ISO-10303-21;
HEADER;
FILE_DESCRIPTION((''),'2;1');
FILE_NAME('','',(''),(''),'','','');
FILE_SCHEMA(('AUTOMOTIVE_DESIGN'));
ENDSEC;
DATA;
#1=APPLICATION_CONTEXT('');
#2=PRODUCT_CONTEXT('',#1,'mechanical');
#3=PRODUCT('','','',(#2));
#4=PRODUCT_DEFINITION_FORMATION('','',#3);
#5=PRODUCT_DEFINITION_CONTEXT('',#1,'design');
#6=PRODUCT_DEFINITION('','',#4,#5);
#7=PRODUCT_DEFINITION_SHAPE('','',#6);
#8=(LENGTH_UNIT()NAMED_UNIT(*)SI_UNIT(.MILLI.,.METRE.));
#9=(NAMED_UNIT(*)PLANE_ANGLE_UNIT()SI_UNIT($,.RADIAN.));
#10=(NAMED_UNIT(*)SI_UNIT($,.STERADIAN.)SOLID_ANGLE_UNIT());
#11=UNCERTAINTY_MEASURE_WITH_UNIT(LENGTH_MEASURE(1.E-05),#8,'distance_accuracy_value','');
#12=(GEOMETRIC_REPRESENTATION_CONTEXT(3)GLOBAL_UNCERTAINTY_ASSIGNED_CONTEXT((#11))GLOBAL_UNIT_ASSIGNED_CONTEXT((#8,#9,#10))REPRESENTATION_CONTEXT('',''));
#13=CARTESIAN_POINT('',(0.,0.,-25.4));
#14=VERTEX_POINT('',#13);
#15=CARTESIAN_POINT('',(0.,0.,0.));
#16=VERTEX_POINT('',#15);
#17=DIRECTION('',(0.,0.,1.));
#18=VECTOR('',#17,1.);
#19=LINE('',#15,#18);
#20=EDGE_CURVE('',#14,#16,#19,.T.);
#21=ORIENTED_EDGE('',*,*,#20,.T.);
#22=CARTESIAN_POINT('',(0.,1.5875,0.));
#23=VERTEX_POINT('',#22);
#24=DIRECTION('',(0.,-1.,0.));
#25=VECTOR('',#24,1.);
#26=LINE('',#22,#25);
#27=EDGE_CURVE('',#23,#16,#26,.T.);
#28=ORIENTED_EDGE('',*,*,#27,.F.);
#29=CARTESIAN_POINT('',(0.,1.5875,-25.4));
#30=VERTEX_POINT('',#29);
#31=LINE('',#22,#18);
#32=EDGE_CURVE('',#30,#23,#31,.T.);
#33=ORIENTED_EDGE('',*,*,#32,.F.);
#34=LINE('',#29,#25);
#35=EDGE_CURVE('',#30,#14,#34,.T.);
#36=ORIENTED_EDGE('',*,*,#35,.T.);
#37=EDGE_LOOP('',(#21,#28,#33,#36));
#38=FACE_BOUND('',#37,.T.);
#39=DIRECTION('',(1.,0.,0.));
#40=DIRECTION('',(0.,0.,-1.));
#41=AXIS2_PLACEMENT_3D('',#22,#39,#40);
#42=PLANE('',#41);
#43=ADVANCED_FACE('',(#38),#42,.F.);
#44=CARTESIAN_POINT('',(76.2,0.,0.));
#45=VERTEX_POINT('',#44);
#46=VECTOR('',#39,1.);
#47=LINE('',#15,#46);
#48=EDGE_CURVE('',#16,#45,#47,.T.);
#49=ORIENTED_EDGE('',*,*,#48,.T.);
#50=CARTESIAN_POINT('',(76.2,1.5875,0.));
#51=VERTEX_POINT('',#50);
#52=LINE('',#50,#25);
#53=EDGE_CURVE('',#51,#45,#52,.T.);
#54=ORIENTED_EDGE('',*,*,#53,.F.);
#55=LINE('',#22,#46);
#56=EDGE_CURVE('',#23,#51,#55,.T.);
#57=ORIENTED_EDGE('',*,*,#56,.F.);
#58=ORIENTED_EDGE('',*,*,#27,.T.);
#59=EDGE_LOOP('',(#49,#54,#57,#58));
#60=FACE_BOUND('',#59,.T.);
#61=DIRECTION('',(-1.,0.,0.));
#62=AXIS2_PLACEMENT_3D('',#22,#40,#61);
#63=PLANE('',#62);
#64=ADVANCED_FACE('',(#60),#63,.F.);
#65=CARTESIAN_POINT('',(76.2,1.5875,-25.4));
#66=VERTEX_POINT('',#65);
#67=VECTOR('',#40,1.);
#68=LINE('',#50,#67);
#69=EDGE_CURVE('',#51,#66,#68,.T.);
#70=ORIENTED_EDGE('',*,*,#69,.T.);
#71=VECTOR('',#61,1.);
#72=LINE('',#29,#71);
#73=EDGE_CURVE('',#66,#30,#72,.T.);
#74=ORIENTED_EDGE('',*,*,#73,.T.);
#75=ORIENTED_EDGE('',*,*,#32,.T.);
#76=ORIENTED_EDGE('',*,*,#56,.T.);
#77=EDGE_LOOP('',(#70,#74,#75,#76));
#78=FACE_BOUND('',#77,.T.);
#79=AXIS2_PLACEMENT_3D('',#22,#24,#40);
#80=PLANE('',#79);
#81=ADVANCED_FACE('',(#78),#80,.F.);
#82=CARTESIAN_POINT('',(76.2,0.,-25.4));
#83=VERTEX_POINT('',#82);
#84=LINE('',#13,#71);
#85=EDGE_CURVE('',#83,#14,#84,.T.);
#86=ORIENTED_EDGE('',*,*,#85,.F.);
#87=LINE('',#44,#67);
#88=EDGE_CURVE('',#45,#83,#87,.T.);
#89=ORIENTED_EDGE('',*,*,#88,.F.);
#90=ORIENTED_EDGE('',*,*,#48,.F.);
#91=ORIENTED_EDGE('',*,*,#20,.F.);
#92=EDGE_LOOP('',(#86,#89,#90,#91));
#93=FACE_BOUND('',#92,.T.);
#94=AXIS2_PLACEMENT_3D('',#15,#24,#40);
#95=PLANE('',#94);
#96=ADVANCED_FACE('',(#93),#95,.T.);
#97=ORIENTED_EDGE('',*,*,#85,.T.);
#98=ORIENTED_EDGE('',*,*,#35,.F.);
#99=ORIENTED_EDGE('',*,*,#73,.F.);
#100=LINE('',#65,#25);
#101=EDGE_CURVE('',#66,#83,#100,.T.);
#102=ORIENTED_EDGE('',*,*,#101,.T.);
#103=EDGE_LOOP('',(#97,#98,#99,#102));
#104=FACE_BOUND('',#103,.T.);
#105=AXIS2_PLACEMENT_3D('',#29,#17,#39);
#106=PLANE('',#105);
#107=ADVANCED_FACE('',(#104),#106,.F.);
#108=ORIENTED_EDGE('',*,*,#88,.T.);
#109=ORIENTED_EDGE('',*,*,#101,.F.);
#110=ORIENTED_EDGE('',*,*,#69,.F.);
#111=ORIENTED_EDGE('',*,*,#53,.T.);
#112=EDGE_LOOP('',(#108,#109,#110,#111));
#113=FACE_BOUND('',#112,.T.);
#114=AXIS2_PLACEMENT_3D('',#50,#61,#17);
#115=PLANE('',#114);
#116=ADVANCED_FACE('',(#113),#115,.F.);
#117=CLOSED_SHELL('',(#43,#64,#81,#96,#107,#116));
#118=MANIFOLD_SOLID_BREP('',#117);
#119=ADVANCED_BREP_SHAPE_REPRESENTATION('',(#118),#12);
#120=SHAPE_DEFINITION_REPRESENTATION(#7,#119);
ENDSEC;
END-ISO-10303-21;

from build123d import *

# Parameters (mm, degrees)
SKETCH2_W           = 76.2
SKETCH2_H           = 25.4
BOSS_EXTRUDE1_DEPTH = 1.5875


with BuildPart() as part:
    # Sketch2 → Boss-Extrude1 (new body)
    with BuildSketch(Plane(origin=(0, 0, 0), x_dir=(1, 0, 0), z_dir=(0, 1, 0))):
        with Locations((38.1, 12.7)):
            Rectangle(SKETCH2_W, SKETCH2_H)
    extrude(amount=BOSS_EXTRUDE1_DEPTH)


solid = part.part
